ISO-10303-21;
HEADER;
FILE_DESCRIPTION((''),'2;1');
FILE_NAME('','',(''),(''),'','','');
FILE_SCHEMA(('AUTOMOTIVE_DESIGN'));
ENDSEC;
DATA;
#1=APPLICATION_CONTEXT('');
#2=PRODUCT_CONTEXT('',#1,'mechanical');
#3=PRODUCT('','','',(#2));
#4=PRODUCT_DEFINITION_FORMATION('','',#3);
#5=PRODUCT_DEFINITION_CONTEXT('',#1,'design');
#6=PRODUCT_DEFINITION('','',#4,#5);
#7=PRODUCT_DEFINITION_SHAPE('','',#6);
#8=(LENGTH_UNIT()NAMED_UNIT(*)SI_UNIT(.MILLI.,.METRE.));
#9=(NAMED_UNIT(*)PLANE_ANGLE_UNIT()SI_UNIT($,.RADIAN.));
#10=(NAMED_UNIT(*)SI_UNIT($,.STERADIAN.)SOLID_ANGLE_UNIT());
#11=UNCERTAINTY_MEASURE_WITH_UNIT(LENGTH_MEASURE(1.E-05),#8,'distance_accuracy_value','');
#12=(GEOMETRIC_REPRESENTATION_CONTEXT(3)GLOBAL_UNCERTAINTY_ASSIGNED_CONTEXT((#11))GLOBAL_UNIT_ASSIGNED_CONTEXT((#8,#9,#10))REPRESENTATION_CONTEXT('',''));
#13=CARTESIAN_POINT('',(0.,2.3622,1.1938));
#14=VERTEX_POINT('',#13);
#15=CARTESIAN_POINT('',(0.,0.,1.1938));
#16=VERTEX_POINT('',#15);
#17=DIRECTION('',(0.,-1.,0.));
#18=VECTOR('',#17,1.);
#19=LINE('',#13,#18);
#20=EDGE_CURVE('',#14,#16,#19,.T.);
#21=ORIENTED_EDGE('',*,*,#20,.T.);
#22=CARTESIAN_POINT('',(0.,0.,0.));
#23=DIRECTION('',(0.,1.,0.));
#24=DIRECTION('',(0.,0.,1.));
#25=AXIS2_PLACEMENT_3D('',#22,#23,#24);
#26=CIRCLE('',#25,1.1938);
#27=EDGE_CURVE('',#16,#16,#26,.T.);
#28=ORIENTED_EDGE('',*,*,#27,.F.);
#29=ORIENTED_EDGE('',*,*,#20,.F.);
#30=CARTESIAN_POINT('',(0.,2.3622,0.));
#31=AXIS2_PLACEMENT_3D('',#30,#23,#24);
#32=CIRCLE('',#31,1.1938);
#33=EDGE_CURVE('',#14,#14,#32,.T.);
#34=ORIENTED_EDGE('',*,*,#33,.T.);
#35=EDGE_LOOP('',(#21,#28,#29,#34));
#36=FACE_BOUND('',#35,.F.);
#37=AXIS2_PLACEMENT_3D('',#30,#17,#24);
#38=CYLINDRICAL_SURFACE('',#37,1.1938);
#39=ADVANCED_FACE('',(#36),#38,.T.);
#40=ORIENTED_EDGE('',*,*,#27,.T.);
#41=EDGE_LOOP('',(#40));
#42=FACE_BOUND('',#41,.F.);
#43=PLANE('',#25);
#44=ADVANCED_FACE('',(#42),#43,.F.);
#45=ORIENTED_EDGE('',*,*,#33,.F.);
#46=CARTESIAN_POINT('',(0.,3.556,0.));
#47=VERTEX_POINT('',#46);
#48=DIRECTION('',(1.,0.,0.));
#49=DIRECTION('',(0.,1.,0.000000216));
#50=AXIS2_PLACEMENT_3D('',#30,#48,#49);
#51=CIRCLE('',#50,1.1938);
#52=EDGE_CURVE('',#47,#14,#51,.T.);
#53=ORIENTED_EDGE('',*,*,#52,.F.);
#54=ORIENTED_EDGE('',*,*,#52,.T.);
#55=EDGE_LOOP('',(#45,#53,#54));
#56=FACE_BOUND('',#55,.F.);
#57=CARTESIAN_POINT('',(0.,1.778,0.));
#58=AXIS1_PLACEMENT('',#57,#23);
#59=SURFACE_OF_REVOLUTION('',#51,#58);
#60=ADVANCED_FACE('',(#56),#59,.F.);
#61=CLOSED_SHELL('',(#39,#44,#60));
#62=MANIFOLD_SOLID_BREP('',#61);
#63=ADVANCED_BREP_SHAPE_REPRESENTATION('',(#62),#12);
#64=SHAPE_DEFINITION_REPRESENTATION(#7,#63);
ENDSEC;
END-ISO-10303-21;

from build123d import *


with BuildPart() as f1:
    # F0 (on Right) → F1 (revolve)
    with BuildSketch(Plane.YZ):
        with BuildLine():
            Line((0, 1.1938), (0, 0))
            Line((0, 0), (3.556, 0))
            ThreePointArc((3.556, 0), (3.206344, 0.844144), (2.3622, 1.1938))
            Line((2.3622, 1.1938), (0, 1.1938))
        make_face()
    revolve(axis=Axis((0, 1.778, 0), (0, 1, 0)))


solid = f1.part
